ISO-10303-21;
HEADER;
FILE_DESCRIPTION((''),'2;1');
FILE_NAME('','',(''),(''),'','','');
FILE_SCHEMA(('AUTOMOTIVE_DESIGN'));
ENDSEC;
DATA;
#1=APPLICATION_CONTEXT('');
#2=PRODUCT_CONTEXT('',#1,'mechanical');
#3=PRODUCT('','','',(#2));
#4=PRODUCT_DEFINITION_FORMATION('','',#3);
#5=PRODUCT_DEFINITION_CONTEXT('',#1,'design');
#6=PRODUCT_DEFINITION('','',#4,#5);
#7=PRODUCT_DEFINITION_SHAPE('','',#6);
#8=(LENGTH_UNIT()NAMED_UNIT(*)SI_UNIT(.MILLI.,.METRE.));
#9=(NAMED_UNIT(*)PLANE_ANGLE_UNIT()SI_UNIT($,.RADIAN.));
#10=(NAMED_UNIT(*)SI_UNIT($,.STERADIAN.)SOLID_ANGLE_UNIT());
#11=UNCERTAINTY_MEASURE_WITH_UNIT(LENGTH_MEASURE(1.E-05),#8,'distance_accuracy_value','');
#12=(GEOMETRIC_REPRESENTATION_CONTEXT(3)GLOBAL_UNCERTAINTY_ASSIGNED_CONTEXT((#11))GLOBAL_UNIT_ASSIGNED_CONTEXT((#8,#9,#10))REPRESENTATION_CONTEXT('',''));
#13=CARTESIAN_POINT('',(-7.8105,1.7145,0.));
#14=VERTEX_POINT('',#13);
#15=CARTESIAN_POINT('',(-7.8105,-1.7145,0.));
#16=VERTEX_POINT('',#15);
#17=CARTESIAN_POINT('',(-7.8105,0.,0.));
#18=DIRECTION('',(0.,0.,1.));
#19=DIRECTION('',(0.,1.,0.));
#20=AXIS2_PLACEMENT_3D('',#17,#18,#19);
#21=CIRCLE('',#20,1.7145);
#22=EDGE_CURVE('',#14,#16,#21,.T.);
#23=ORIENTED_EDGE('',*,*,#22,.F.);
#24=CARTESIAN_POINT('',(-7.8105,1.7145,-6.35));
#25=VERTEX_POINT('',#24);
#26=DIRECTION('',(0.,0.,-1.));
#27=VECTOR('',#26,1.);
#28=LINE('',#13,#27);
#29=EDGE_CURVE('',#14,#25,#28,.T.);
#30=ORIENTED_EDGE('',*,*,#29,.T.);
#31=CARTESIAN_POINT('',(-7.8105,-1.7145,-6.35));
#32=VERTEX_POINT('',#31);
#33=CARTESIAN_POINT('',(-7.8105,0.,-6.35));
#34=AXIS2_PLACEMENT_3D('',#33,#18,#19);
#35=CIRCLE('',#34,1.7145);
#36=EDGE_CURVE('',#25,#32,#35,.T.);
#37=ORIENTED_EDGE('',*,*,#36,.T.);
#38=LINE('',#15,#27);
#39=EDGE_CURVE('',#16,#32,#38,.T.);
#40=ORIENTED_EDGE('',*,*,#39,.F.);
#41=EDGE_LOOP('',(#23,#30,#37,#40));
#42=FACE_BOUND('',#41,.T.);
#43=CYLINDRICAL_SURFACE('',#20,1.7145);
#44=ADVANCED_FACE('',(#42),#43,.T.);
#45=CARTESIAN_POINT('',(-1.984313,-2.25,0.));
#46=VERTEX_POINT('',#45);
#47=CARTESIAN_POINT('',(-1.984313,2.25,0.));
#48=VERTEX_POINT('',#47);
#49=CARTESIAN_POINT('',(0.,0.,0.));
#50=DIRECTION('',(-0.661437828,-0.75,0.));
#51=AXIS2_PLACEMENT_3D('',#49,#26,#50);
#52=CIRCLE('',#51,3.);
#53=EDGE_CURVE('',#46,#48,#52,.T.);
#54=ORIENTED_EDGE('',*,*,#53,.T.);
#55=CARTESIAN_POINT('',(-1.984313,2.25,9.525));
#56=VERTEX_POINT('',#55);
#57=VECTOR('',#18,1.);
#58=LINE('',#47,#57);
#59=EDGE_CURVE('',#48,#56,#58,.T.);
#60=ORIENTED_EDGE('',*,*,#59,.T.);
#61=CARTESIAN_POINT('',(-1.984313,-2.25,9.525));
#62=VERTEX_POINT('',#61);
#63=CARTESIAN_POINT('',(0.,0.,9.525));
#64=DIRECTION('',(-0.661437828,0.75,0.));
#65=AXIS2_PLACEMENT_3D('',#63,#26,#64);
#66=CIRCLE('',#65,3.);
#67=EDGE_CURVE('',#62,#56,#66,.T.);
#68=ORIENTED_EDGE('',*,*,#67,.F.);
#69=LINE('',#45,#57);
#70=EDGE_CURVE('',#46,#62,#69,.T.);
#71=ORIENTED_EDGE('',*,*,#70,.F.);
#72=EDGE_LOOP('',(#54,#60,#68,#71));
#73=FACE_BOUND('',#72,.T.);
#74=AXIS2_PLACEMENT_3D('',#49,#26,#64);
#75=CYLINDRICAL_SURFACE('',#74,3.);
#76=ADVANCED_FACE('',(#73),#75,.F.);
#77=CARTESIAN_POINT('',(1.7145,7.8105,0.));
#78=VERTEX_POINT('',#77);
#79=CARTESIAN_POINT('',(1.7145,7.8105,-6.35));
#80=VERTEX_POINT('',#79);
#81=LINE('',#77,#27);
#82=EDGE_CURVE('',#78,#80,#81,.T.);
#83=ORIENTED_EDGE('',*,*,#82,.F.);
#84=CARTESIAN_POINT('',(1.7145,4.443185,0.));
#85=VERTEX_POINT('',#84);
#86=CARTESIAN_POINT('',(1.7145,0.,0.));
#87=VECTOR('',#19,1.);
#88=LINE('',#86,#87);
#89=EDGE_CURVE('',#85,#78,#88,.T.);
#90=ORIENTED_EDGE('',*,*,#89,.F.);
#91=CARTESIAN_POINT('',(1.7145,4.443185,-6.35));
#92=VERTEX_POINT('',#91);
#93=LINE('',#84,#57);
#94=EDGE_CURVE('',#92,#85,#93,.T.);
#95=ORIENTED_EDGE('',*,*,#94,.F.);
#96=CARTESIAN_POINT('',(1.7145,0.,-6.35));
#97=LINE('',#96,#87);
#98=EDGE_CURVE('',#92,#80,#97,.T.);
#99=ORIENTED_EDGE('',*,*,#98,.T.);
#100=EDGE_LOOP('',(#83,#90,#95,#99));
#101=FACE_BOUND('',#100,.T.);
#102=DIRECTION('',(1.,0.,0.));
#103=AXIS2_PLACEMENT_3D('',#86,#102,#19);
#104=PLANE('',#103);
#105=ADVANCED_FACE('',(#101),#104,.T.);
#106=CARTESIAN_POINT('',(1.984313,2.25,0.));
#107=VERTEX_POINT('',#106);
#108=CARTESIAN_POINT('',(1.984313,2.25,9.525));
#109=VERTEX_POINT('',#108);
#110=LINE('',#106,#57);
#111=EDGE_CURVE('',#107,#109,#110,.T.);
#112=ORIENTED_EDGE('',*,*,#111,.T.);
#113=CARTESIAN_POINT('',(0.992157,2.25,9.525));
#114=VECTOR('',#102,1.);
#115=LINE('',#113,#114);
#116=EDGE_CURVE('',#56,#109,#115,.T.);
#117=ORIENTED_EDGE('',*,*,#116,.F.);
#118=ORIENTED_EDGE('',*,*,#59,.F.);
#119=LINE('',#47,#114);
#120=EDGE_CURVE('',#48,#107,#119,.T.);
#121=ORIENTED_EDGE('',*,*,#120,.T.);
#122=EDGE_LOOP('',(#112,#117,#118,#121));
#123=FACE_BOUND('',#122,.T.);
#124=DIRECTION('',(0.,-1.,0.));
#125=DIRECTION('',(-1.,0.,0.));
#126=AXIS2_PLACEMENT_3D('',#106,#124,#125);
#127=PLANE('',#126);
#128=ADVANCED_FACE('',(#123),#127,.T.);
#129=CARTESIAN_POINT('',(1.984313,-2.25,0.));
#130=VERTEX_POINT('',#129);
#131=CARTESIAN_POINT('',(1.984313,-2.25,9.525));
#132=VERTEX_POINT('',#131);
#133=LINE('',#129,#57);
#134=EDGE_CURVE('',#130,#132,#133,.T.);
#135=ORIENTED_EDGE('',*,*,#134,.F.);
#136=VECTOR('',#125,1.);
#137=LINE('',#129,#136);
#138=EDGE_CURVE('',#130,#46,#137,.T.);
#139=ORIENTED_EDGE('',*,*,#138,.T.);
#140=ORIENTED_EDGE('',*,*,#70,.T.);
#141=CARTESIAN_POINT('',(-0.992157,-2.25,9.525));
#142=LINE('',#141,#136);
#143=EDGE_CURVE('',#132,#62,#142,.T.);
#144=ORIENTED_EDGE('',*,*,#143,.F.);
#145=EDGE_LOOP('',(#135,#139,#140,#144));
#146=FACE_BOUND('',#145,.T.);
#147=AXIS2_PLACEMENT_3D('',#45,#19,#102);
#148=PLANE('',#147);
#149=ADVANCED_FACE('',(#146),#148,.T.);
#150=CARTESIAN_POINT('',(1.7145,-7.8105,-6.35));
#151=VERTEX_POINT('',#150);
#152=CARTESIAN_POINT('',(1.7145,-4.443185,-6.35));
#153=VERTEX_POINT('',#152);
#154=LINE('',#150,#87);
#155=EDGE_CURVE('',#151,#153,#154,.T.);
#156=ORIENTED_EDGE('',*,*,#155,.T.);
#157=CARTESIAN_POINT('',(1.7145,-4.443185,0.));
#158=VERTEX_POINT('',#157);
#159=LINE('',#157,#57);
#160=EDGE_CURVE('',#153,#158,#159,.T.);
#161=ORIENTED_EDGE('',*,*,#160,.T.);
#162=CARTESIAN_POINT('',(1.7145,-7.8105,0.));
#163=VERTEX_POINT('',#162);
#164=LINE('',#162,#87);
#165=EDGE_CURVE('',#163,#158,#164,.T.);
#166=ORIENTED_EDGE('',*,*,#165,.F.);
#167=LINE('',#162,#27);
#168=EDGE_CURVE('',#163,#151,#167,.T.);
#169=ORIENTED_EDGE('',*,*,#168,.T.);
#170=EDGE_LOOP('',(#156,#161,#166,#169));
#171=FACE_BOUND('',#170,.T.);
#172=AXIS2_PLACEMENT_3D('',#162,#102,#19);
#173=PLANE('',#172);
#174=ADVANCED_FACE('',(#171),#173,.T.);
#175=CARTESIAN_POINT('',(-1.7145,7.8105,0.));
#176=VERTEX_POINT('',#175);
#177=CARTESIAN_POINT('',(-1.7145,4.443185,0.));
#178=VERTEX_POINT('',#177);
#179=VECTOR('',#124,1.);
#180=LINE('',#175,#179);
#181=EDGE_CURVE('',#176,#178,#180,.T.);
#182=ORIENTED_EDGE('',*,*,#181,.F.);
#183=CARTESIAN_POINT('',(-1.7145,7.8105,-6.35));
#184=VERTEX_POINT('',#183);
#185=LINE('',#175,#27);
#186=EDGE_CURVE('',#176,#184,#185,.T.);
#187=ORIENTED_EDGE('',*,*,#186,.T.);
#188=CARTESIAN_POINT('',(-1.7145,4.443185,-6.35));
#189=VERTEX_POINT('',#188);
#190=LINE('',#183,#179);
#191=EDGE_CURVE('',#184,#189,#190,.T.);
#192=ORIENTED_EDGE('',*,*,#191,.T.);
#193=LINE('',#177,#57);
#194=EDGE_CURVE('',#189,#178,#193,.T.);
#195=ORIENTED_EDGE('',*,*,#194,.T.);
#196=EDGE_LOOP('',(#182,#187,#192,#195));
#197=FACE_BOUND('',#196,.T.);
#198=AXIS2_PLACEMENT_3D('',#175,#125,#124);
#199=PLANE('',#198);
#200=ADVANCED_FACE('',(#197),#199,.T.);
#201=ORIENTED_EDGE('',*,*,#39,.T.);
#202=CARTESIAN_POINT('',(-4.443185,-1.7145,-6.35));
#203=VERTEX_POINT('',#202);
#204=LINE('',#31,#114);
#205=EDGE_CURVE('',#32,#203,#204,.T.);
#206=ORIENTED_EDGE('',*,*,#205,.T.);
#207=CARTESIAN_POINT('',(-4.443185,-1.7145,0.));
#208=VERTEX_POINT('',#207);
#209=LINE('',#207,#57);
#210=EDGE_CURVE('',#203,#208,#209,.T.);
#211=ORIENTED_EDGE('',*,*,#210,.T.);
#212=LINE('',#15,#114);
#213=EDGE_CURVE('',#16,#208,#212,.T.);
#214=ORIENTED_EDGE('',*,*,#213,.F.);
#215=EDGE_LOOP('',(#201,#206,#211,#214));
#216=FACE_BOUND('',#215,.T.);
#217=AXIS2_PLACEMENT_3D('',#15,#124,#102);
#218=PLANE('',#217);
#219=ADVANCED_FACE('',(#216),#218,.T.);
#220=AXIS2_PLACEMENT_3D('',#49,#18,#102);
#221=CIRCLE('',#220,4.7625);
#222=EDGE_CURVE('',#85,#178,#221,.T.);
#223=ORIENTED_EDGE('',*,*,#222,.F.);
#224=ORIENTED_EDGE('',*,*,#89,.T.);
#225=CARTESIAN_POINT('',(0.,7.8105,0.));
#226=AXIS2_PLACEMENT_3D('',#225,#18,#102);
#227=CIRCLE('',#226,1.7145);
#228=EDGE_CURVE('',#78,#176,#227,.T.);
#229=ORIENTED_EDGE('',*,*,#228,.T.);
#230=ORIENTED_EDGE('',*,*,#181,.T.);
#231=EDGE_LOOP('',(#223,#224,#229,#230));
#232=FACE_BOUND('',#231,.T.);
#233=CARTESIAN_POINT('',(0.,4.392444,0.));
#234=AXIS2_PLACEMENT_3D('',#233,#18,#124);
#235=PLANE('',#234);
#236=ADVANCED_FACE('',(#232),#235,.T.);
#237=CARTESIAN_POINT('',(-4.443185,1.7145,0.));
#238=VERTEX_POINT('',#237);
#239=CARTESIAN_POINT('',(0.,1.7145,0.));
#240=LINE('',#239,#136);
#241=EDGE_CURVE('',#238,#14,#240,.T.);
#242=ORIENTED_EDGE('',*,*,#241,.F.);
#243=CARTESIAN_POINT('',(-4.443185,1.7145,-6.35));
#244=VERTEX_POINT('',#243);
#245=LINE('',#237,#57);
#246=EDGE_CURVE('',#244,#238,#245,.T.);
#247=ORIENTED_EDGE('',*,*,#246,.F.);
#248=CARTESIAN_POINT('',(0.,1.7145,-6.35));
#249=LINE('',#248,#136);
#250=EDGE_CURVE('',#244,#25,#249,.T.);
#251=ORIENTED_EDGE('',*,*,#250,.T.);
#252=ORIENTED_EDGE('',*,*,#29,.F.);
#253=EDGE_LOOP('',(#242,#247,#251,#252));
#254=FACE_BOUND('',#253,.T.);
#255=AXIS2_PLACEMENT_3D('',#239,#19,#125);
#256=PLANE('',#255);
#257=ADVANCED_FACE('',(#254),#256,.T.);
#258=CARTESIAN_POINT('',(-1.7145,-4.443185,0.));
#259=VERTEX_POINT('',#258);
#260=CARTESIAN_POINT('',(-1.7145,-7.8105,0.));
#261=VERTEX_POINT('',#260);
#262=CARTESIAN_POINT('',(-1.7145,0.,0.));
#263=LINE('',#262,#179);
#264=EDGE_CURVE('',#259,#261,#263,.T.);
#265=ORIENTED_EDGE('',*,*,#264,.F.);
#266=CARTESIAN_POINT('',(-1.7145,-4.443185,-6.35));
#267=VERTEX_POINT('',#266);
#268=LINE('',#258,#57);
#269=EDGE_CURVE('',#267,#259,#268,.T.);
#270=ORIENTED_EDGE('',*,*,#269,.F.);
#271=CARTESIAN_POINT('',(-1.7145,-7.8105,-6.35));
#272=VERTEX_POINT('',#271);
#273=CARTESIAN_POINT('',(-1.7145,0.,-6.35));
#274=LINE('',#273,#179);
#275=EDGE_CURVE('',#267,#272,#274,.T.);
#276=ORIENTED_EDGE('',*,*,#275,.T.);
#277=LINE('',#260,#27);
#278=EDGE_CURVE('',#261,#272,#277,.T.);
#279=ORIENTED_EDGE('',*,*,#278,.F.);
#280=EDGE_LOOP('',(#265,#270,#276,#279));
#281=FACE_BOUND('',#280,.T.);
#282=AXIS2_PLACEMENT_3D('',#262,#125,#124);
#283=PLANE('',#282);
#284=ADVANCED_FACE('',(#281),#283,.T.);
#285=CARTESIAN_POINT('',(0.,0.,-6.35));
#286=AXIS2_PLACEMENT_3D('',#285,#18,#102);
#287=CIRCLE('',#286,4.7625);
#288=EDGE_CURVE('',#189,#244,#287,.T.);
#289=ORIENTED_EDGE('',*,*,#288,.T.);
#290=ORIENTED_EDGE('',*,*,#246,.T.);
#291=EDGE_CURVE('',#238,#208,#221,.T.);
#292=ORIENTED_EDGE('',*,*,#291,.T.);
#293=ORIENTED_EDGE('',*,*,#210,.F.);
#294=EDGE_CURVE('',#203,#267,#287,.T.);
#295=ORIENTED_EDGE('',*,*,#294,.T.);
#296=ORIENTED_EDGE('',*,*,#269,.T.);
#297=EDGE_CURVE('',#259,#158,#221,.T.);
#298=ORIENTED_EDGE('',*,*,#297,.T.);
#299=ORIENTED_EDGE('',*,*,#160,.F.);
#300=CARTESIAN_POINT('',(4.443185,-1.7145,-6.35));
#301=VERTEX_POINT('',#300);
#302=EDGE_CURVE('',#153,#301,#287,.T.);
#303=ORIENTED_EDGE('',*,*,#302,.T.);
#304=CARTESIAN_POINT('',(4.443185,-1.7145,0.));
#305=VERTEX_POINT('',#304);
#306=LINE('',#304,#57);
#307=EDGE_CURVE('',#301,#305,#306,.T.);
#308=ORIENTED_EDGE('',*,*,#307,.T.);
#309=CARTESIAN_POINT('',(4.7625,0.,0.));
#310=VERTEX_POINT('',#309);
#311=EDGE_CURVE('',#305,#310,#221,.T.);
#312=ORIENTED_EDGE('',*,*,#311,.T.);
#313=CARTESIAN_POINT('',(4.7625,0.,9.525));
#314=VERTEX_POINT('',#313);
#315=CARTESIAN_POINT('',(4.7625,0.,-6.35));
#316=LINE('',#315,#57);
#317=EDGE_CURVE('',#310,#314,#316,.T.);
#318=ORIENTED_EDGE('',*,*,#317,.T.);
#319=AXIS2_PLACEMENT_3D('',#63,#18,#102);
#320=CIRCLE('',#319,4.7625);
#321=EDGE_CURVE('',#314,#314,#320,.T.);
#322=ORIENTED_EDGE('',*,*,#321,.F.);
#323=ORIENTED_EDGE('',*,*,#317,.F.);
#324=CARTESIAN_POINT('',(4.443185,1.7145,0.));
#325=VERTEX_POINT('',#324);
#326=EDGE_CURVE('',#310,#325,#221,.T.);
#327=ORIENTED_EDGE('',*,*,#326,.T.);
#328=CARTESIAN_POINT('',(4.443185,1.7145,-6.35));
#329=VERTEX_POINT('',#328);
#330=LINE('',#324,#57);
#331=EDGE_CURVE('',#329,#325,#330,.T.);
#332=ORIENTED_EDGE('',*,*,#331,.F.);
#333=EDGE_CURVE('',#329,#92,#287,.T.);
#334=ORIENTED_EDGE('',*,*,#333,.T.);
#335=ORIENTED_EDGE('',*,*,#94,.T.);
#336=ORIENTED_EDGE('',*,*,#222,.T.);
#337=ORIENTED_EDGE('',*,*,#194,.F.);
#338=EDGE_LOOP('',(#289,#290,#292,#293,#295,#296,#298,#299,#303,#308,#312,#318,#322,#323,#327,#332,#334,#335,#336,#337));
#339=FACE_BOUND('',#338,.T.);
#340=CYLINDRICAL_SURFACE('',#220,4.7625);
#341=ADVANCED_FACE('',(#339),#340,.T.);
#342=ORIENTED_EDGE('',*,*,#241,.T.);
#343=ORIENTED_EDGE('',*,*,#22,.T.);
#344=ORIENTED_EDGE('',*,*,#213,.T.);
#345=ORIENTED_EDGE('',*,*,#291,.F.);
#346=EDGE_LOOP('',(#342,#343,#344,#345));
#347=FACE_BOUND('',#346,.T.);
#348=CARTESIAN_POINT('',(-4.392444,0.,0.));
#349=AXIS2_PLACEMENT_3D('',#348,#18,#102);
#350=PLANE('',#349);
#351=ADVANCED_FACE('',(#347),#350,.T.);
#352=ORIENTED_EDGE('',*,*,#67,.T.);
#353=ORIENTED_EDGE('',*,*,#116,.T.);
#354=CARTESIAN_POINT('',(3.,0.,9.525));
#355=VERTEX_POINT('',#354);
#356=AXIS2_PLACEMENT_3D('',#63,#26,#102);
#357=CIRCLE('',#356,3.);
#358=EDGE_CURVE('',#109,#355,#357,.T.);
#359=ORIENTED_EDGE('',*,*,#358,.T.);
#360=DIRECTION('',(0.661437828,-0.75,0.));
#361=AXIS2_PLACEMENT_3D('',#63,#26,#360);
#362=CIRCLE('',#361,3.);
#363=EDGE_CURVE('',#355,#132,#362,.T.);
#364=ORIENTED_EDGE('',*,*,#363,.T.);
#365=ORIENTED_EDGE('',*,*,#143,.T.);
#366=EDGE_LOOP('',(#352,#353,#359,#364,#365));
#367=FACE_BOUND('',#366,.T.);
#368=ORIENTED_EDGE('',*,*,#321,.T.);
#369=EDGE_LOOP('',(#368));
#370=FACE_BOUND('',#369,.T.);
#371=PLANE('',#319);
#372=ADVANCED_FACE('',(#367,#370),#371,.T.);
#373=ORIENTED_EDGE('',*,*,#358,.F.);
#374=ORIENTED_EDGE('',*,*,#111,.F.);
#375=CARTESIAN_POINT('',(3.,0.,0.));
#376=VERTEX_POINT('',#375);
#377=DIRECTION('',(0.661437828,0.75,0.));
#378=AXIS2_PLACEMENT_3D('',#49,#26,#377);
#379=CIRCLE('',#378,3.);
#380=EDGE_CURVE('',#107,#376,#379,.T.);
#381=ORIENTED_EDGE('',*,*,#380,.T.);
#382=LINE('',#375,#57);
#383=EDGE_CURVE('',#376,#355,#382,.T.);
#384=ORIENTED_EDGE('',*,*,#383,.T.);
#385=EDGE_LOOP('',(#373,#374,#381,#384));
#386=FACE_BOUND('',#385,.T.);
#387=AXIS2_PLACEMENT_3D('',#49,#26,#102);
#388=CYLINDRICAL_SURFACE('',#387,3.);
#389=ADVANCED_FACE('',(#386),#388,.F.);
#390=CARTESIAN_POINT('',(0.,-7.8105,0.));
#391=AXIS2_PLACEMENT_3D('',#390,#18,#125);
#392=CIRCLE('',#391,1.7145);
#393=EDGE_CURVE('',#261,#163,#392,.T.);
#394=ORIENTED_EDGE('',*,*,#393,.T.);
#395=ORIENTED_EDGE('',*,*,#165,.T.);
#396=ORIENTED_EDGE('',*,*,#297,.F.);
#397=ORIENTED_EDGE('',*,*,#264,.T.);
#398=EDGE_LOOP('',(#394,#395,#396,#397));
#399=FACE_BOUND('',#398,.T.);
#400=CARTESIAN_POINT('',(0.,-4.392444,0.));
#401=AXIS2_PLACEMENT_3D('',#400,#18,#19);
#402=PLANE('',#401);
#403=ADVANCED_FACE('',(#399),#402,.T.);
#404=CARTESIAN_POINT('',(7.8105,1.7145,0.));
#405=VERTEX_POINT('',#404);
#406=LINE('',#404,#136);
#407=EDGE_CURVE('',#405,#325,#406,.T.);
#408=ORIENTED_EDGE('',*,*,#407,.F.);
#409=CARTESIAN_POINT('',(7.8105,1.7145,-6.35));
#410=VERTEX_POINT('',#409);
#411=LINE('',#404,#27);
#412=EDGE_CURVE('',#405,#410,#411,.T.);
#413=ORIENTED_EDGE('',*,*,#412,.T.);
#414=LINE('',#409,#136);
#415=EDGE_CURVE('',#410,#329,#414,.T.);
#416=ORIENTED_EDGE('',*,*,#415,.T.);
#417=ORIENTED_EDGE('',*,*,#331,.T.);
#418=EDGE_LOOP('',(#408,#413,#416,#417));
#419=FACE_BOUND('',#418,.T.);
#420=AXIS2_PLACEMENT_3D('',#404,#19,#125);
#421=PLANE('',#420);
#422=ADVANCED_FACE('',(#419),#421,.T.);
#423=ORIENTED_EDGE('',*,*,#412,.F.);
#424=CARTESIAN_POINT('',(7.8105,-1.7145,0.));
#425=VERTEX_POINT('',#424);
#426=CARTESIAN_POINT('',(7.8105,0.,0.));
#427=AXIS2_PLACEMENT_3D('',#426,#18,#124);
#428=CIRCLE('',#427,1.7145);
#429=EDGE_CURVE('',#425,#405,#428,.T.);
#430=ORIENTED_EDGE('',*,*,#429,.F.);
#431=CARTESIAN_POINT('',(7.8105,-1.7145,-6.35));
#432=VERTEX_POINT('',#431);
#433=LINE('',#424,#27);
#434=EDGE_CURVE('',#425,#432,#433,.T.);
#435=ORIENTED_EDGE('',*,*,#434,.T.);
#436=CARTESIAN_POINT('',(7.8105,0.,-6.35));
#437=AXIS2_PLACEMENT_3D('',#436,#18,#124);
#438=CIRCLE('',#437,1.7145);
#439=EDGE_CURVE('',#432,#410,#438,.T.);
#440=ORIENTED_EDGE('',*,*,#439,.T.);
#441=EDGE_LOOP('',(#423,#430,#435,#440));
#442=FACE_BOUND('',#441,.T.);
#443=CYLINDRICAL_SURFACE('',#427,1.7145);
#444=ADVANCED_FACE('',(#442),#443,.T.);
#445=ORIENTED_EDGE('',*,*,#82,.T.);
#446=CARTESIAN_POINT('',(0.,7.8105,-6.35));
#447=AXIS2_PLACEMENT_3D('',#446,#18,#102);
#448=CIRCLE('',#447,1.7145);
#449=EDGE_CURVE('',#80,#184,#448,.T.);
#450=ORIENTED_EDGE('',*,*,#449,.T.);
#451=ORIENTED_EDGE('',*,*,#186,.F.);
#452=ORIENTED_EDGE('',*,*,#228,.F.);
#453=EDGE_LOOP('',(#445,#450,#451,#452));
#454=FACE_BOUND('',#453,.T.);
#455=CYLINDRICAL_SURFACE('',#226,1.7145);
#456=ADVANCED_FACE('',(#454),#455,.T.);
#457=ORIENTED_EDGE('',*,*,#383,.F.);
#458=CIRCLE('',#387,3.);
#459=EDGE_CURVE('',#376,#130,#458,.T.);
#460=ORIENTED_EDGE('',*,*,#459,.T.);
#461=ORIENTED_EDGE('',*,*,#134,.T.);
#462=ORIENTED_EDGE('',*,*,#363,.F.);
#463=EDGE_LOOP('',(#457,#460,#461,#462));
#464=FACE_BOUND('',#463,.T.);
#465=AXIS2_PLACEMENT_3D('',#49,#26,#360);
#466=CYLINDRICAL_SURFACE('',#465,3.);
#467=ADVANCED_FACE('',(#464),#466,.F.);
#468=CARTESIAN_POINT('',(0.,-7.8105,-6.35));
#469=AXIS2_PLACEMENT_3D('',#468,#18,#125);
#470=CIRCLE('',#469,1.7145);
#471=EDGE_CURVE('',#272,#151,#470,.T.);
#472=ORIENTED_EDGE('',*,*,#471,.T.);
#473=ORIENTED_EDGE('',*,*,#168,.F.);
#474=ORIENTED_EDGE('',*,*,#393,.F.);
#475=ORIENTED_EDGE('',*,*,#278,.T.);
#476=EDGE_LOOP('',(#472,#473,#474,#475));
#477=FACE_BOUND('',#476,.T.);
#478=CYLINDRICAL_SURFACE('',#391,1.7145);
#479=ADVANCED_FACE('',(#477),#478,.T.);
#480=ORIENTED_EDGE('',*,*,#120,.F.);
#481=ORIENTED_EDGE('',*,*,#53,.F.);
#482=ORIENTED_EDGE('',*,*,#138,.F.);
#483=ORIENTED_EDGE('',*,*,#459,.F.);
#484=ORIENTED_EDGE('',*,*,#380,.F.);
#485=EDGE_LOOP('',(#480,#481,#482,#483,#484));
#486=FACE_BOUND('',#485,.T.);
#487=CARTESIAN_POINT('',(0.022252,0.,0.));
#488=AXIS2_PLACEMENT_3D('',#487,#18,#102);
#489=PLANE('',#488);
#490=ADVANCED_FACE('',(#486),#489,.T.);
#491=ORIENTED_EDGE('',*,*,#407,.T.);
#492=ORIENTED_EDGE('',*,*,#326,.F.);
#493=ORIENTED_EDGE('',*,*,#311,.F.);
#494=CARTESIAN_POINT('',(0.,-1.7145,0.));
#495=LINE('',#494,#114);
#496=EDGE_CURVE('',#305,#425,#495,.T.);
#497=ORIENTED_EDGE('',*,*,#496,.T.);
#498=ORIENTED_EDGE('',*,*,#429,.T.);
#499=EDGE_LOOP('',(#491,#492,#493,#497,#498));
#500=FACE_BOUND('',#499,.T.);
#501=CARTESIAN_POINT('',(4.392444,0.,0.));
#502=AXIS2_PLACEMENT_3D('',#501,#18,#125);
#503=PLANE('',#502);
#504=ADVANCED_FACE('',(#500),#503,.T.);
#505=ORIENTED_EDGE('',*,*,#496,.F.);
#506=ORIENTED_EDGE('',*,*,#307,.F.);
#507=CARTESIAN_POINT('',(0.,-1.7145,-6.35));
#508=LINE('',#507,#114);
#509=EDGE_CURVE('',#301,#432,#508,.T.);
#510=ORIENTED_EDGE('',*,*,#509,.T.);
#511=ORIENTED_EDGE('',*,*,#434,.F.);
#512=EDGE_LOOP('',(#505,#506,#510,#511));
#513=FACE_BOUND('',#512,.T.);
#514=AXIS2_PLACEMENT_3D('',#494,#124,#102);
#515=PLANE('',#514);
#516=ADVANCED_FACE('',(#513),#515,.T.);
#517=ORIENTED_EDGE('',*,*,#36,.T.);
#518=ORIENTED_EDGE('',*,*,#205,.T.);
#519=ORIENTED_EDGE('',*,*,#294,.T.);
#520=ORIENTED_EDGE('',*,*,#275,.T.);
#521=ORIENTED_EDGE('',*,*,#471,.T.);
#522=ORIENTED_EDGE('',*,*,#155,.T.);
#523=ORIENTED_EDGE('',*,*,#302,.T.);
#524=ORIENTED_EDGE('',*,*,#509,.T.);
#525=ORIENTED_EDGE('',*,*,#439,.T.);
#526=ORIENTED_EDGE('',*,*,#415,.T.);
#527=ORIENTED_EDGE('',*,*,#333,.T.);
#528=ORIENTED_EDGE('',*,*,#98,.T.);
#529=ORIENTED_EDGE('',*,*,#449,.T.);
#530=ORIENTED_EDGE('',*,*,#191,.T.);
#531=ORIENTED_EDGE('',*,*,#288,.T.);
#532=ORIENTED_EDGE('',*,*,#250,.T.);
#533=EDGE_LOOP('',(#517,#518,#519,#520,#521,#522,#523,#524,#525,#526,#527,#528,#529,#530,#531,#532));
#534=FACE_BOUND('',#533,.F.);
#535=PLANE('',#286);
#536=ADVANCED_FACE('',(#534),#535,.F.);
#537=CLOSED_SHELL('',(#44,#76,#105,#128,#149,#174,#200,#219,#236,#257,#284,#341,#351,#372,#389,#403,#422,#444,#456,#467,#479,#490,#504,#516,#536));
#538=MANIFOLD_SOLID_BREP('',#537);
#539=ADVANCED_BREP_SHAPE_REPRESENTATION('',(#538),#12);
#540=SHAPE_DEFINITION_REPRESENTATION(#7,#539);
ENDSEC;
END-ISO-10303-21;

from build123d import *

# Parameters (mm, degrees)
F0_R          = 4.7625
F1_DEPTH      = 9.525
F1_DEPTH_BACK = 6.35
F4_DEPTH      = 9.526
F6_DEPTH      = 6.35
F7_COUNT      = 4


with BuildPart() as f1:
    # F0 (on Top) → F1 (new body, two sides)
    with BuildSketch(Plane.XY) as f1_sk:
        Circle(F0_R)
    extrude(amount=F1_DEPTH)
    extrude(f1_sk.sketch, amount=-F1_DEPTH_BACK)

    # F2 (on Top) → F4 (cut, through all)
    with BuildSketch(Plane.XY):
        with BuildLine():
            ThreePointArc((1.9843134833, -2.25), (2.7343134833, -1.2343134833), (3, 0))
            ThreePointArc((3, 0), (2.7343134833, 1.2343134833), (1.9843134833, 2.25))
            Line((1.9843134833, 2.25), (-1.9843134833, 2.25))
            ThreePointArc((-1.9843134833, 2.25), (-3, 0), (-1.9843134833, -2.25))
            Line((-1.9843134833, -2.25), (1.9843134833, -2.25))
        make_face()
    extrude(amount=F4_DEPTH, mode=Mode.SUBTRACT)



with BuildPart() as f6:
    # F5 (on Top) → F6 (new body, through all)
    with BuildSketch(Plane.XY):
        with BuildLine():
            Line((0, 1.7145), (-7.8105, 1.7145))
            ThreePointArc((-7.8105, 1.7145), (-9.525, 0), (-7.8105, -1.7145))
            Line((-7.8105, -1.7145), (0, -1.7145))
            Line((0, -1.7145), (0, 1.7145))
        make_face()
    extrude(amount=-F6_DEPTH)


with BuildPart() as f1_1:
    add(f1.part)

    add(f6.part)  # F7 merges F6
    # F7: F6 ×4 about axis
    f7_axis = Axis((0, 0, 0), (0, 0, -1))
    for i in range(1, F7_COUNT):
        add(f6.part.rotate(f7_axis, i * 360 / F7_COUNT))


solid = f1_1.part
